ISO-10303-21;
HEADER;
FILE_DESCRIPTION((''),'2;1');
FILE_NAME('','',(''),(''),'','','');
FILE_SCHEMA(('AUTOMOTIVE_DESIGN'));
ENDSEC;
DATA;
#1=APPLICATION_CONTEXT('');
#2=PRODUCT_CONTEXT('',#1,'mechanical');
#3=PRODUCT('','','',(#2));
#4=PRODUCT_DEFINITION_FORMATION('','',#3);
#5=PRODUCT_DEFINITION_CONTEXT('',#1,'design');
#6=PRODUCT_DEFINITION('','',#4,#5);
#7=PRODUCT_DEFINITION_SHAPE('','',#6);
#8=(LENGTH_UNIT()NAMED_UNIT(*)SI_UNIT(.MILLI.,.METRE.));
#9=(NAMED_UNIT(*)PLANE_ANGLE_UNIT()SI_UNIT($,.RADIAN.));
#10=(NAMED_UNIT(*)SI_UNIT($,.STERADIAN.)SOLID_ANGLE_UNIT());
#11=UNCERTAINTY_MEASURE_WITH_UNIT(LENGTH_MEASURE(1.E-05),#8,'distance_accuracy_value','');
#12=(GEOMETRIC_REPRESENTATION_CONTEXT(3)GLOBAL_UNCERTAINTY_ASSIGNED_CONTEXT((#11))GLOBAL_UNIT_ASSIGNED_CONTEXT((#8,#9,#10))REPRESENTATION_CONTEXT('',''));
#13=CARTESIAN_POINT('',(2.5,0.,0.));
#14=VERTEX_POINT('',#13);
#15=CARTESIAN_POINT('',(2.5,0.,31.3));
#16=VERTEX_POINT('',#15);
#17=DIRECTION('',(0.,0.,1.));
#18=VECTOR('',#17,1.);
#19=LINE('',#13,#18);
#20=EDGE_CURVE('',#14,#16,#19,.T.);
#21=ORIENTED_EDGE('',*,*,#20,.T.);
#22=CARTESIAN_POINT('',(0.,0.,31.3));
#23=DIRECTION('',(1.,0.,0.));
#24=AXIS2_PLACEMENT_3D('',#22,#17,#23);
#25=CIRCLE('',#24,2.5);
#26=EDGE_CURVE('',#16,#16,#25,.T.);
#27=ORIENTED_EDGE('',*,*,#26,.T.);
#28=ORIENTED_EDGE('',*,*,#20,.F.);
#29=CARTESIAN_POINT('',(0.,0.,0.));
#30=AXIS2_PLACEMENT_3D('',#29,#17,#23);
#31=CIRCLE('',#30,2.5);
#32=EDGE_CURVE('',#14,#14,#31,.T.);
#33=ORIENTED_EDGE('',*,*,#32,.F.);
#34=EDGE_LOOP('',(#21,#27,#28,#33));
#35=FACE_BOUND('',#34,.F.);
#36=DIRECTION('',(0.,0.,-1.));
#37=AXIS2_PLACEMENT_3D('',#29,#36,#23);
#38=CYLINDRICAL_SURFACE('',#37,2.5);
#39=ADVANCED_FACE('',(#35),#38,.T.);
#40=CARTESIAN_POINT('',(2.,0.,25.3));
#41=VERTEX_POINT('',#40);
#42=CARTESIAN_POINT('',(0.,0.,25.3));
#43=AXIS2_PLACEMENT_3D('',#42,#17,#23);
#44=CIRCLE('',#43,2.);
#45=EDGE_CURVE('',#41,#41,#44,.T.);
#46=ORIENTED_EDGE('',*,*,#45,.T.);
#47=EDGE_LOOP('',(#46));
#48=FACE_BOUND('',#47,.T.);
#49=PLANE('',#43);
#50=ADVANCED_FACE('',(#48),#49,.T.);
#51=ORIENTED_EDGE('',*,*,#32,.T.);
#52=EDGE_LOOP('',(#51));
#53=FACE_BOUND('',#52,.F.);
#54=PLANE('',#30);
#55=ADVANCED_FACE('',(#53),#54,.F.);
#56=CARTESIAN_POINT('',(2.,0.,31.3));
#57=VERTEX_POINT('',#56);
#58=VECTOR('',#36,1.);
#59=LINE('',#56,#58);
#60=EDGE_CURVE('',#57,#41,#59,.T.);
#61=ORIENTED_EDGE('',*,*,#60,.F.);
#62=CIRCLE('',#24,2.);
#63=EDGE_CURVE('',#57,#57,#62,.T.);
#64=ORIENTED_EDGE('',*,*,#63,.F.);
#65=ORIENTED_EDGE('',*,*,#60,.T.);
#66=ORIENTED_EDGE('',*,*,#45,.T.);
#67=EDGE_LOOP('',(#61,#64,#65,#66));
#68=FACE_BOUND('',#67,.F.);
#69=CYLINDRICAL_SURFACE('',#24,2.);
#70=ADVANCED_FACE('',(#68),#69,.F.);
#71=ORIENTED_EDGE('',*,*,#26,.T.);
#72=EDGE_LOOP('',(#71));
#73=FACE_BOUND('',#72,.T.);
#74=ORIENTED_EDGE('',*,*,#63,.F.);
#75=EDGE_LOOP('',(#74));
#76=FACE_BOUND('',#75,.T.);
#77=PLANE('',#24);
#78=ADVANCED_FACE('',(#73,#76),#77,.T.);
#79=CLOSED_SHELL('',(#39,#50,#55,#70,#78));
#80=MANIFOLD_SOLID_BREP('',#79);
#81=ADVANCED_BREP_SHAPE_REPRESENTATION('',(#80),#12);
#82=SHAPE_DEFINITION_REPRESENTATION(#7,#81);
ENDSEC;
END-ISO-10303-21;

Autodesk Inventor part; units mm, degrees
ref_plane "YZ Plane" through (0, 0, 0) normal (1, 0, 0) x (0, 1, 0)
ref_plane "XZ Plane" through (0, 0, 0) normal (0, 1, 0) x (-1, 0, 0)
ref_plane "XY Plane" through (0, 0, 0) normal (0, 0, 1) x (1, 0, 0)
sketch "スケッチ1" plane through (0, 0, 0) normal (0, 0, 1) x (1, 0, 0)
  circle A0 centre (0, 0) radius 2.5
  dimension "d0" = 5
extrude "押し出し1" add sketch "スケッチ1" along normal blind 31.3
sketch "スケッチ2" plane through (0, 0, 31.3) normal (0, 0, 1) x (1, 0, 0)
  circle A0 centre (0, 0) radius 2
  dimension "d3" = 4
extrude "押し出し2" cut sketch "スケッチ2" against normal blind 6
thread "ねじ1" size "M4x0.7" class "6H" standard "ANSI Metric M Profile" full length
properties part number "shaft_31.3mm_Φ5" material "アルミニウム"
